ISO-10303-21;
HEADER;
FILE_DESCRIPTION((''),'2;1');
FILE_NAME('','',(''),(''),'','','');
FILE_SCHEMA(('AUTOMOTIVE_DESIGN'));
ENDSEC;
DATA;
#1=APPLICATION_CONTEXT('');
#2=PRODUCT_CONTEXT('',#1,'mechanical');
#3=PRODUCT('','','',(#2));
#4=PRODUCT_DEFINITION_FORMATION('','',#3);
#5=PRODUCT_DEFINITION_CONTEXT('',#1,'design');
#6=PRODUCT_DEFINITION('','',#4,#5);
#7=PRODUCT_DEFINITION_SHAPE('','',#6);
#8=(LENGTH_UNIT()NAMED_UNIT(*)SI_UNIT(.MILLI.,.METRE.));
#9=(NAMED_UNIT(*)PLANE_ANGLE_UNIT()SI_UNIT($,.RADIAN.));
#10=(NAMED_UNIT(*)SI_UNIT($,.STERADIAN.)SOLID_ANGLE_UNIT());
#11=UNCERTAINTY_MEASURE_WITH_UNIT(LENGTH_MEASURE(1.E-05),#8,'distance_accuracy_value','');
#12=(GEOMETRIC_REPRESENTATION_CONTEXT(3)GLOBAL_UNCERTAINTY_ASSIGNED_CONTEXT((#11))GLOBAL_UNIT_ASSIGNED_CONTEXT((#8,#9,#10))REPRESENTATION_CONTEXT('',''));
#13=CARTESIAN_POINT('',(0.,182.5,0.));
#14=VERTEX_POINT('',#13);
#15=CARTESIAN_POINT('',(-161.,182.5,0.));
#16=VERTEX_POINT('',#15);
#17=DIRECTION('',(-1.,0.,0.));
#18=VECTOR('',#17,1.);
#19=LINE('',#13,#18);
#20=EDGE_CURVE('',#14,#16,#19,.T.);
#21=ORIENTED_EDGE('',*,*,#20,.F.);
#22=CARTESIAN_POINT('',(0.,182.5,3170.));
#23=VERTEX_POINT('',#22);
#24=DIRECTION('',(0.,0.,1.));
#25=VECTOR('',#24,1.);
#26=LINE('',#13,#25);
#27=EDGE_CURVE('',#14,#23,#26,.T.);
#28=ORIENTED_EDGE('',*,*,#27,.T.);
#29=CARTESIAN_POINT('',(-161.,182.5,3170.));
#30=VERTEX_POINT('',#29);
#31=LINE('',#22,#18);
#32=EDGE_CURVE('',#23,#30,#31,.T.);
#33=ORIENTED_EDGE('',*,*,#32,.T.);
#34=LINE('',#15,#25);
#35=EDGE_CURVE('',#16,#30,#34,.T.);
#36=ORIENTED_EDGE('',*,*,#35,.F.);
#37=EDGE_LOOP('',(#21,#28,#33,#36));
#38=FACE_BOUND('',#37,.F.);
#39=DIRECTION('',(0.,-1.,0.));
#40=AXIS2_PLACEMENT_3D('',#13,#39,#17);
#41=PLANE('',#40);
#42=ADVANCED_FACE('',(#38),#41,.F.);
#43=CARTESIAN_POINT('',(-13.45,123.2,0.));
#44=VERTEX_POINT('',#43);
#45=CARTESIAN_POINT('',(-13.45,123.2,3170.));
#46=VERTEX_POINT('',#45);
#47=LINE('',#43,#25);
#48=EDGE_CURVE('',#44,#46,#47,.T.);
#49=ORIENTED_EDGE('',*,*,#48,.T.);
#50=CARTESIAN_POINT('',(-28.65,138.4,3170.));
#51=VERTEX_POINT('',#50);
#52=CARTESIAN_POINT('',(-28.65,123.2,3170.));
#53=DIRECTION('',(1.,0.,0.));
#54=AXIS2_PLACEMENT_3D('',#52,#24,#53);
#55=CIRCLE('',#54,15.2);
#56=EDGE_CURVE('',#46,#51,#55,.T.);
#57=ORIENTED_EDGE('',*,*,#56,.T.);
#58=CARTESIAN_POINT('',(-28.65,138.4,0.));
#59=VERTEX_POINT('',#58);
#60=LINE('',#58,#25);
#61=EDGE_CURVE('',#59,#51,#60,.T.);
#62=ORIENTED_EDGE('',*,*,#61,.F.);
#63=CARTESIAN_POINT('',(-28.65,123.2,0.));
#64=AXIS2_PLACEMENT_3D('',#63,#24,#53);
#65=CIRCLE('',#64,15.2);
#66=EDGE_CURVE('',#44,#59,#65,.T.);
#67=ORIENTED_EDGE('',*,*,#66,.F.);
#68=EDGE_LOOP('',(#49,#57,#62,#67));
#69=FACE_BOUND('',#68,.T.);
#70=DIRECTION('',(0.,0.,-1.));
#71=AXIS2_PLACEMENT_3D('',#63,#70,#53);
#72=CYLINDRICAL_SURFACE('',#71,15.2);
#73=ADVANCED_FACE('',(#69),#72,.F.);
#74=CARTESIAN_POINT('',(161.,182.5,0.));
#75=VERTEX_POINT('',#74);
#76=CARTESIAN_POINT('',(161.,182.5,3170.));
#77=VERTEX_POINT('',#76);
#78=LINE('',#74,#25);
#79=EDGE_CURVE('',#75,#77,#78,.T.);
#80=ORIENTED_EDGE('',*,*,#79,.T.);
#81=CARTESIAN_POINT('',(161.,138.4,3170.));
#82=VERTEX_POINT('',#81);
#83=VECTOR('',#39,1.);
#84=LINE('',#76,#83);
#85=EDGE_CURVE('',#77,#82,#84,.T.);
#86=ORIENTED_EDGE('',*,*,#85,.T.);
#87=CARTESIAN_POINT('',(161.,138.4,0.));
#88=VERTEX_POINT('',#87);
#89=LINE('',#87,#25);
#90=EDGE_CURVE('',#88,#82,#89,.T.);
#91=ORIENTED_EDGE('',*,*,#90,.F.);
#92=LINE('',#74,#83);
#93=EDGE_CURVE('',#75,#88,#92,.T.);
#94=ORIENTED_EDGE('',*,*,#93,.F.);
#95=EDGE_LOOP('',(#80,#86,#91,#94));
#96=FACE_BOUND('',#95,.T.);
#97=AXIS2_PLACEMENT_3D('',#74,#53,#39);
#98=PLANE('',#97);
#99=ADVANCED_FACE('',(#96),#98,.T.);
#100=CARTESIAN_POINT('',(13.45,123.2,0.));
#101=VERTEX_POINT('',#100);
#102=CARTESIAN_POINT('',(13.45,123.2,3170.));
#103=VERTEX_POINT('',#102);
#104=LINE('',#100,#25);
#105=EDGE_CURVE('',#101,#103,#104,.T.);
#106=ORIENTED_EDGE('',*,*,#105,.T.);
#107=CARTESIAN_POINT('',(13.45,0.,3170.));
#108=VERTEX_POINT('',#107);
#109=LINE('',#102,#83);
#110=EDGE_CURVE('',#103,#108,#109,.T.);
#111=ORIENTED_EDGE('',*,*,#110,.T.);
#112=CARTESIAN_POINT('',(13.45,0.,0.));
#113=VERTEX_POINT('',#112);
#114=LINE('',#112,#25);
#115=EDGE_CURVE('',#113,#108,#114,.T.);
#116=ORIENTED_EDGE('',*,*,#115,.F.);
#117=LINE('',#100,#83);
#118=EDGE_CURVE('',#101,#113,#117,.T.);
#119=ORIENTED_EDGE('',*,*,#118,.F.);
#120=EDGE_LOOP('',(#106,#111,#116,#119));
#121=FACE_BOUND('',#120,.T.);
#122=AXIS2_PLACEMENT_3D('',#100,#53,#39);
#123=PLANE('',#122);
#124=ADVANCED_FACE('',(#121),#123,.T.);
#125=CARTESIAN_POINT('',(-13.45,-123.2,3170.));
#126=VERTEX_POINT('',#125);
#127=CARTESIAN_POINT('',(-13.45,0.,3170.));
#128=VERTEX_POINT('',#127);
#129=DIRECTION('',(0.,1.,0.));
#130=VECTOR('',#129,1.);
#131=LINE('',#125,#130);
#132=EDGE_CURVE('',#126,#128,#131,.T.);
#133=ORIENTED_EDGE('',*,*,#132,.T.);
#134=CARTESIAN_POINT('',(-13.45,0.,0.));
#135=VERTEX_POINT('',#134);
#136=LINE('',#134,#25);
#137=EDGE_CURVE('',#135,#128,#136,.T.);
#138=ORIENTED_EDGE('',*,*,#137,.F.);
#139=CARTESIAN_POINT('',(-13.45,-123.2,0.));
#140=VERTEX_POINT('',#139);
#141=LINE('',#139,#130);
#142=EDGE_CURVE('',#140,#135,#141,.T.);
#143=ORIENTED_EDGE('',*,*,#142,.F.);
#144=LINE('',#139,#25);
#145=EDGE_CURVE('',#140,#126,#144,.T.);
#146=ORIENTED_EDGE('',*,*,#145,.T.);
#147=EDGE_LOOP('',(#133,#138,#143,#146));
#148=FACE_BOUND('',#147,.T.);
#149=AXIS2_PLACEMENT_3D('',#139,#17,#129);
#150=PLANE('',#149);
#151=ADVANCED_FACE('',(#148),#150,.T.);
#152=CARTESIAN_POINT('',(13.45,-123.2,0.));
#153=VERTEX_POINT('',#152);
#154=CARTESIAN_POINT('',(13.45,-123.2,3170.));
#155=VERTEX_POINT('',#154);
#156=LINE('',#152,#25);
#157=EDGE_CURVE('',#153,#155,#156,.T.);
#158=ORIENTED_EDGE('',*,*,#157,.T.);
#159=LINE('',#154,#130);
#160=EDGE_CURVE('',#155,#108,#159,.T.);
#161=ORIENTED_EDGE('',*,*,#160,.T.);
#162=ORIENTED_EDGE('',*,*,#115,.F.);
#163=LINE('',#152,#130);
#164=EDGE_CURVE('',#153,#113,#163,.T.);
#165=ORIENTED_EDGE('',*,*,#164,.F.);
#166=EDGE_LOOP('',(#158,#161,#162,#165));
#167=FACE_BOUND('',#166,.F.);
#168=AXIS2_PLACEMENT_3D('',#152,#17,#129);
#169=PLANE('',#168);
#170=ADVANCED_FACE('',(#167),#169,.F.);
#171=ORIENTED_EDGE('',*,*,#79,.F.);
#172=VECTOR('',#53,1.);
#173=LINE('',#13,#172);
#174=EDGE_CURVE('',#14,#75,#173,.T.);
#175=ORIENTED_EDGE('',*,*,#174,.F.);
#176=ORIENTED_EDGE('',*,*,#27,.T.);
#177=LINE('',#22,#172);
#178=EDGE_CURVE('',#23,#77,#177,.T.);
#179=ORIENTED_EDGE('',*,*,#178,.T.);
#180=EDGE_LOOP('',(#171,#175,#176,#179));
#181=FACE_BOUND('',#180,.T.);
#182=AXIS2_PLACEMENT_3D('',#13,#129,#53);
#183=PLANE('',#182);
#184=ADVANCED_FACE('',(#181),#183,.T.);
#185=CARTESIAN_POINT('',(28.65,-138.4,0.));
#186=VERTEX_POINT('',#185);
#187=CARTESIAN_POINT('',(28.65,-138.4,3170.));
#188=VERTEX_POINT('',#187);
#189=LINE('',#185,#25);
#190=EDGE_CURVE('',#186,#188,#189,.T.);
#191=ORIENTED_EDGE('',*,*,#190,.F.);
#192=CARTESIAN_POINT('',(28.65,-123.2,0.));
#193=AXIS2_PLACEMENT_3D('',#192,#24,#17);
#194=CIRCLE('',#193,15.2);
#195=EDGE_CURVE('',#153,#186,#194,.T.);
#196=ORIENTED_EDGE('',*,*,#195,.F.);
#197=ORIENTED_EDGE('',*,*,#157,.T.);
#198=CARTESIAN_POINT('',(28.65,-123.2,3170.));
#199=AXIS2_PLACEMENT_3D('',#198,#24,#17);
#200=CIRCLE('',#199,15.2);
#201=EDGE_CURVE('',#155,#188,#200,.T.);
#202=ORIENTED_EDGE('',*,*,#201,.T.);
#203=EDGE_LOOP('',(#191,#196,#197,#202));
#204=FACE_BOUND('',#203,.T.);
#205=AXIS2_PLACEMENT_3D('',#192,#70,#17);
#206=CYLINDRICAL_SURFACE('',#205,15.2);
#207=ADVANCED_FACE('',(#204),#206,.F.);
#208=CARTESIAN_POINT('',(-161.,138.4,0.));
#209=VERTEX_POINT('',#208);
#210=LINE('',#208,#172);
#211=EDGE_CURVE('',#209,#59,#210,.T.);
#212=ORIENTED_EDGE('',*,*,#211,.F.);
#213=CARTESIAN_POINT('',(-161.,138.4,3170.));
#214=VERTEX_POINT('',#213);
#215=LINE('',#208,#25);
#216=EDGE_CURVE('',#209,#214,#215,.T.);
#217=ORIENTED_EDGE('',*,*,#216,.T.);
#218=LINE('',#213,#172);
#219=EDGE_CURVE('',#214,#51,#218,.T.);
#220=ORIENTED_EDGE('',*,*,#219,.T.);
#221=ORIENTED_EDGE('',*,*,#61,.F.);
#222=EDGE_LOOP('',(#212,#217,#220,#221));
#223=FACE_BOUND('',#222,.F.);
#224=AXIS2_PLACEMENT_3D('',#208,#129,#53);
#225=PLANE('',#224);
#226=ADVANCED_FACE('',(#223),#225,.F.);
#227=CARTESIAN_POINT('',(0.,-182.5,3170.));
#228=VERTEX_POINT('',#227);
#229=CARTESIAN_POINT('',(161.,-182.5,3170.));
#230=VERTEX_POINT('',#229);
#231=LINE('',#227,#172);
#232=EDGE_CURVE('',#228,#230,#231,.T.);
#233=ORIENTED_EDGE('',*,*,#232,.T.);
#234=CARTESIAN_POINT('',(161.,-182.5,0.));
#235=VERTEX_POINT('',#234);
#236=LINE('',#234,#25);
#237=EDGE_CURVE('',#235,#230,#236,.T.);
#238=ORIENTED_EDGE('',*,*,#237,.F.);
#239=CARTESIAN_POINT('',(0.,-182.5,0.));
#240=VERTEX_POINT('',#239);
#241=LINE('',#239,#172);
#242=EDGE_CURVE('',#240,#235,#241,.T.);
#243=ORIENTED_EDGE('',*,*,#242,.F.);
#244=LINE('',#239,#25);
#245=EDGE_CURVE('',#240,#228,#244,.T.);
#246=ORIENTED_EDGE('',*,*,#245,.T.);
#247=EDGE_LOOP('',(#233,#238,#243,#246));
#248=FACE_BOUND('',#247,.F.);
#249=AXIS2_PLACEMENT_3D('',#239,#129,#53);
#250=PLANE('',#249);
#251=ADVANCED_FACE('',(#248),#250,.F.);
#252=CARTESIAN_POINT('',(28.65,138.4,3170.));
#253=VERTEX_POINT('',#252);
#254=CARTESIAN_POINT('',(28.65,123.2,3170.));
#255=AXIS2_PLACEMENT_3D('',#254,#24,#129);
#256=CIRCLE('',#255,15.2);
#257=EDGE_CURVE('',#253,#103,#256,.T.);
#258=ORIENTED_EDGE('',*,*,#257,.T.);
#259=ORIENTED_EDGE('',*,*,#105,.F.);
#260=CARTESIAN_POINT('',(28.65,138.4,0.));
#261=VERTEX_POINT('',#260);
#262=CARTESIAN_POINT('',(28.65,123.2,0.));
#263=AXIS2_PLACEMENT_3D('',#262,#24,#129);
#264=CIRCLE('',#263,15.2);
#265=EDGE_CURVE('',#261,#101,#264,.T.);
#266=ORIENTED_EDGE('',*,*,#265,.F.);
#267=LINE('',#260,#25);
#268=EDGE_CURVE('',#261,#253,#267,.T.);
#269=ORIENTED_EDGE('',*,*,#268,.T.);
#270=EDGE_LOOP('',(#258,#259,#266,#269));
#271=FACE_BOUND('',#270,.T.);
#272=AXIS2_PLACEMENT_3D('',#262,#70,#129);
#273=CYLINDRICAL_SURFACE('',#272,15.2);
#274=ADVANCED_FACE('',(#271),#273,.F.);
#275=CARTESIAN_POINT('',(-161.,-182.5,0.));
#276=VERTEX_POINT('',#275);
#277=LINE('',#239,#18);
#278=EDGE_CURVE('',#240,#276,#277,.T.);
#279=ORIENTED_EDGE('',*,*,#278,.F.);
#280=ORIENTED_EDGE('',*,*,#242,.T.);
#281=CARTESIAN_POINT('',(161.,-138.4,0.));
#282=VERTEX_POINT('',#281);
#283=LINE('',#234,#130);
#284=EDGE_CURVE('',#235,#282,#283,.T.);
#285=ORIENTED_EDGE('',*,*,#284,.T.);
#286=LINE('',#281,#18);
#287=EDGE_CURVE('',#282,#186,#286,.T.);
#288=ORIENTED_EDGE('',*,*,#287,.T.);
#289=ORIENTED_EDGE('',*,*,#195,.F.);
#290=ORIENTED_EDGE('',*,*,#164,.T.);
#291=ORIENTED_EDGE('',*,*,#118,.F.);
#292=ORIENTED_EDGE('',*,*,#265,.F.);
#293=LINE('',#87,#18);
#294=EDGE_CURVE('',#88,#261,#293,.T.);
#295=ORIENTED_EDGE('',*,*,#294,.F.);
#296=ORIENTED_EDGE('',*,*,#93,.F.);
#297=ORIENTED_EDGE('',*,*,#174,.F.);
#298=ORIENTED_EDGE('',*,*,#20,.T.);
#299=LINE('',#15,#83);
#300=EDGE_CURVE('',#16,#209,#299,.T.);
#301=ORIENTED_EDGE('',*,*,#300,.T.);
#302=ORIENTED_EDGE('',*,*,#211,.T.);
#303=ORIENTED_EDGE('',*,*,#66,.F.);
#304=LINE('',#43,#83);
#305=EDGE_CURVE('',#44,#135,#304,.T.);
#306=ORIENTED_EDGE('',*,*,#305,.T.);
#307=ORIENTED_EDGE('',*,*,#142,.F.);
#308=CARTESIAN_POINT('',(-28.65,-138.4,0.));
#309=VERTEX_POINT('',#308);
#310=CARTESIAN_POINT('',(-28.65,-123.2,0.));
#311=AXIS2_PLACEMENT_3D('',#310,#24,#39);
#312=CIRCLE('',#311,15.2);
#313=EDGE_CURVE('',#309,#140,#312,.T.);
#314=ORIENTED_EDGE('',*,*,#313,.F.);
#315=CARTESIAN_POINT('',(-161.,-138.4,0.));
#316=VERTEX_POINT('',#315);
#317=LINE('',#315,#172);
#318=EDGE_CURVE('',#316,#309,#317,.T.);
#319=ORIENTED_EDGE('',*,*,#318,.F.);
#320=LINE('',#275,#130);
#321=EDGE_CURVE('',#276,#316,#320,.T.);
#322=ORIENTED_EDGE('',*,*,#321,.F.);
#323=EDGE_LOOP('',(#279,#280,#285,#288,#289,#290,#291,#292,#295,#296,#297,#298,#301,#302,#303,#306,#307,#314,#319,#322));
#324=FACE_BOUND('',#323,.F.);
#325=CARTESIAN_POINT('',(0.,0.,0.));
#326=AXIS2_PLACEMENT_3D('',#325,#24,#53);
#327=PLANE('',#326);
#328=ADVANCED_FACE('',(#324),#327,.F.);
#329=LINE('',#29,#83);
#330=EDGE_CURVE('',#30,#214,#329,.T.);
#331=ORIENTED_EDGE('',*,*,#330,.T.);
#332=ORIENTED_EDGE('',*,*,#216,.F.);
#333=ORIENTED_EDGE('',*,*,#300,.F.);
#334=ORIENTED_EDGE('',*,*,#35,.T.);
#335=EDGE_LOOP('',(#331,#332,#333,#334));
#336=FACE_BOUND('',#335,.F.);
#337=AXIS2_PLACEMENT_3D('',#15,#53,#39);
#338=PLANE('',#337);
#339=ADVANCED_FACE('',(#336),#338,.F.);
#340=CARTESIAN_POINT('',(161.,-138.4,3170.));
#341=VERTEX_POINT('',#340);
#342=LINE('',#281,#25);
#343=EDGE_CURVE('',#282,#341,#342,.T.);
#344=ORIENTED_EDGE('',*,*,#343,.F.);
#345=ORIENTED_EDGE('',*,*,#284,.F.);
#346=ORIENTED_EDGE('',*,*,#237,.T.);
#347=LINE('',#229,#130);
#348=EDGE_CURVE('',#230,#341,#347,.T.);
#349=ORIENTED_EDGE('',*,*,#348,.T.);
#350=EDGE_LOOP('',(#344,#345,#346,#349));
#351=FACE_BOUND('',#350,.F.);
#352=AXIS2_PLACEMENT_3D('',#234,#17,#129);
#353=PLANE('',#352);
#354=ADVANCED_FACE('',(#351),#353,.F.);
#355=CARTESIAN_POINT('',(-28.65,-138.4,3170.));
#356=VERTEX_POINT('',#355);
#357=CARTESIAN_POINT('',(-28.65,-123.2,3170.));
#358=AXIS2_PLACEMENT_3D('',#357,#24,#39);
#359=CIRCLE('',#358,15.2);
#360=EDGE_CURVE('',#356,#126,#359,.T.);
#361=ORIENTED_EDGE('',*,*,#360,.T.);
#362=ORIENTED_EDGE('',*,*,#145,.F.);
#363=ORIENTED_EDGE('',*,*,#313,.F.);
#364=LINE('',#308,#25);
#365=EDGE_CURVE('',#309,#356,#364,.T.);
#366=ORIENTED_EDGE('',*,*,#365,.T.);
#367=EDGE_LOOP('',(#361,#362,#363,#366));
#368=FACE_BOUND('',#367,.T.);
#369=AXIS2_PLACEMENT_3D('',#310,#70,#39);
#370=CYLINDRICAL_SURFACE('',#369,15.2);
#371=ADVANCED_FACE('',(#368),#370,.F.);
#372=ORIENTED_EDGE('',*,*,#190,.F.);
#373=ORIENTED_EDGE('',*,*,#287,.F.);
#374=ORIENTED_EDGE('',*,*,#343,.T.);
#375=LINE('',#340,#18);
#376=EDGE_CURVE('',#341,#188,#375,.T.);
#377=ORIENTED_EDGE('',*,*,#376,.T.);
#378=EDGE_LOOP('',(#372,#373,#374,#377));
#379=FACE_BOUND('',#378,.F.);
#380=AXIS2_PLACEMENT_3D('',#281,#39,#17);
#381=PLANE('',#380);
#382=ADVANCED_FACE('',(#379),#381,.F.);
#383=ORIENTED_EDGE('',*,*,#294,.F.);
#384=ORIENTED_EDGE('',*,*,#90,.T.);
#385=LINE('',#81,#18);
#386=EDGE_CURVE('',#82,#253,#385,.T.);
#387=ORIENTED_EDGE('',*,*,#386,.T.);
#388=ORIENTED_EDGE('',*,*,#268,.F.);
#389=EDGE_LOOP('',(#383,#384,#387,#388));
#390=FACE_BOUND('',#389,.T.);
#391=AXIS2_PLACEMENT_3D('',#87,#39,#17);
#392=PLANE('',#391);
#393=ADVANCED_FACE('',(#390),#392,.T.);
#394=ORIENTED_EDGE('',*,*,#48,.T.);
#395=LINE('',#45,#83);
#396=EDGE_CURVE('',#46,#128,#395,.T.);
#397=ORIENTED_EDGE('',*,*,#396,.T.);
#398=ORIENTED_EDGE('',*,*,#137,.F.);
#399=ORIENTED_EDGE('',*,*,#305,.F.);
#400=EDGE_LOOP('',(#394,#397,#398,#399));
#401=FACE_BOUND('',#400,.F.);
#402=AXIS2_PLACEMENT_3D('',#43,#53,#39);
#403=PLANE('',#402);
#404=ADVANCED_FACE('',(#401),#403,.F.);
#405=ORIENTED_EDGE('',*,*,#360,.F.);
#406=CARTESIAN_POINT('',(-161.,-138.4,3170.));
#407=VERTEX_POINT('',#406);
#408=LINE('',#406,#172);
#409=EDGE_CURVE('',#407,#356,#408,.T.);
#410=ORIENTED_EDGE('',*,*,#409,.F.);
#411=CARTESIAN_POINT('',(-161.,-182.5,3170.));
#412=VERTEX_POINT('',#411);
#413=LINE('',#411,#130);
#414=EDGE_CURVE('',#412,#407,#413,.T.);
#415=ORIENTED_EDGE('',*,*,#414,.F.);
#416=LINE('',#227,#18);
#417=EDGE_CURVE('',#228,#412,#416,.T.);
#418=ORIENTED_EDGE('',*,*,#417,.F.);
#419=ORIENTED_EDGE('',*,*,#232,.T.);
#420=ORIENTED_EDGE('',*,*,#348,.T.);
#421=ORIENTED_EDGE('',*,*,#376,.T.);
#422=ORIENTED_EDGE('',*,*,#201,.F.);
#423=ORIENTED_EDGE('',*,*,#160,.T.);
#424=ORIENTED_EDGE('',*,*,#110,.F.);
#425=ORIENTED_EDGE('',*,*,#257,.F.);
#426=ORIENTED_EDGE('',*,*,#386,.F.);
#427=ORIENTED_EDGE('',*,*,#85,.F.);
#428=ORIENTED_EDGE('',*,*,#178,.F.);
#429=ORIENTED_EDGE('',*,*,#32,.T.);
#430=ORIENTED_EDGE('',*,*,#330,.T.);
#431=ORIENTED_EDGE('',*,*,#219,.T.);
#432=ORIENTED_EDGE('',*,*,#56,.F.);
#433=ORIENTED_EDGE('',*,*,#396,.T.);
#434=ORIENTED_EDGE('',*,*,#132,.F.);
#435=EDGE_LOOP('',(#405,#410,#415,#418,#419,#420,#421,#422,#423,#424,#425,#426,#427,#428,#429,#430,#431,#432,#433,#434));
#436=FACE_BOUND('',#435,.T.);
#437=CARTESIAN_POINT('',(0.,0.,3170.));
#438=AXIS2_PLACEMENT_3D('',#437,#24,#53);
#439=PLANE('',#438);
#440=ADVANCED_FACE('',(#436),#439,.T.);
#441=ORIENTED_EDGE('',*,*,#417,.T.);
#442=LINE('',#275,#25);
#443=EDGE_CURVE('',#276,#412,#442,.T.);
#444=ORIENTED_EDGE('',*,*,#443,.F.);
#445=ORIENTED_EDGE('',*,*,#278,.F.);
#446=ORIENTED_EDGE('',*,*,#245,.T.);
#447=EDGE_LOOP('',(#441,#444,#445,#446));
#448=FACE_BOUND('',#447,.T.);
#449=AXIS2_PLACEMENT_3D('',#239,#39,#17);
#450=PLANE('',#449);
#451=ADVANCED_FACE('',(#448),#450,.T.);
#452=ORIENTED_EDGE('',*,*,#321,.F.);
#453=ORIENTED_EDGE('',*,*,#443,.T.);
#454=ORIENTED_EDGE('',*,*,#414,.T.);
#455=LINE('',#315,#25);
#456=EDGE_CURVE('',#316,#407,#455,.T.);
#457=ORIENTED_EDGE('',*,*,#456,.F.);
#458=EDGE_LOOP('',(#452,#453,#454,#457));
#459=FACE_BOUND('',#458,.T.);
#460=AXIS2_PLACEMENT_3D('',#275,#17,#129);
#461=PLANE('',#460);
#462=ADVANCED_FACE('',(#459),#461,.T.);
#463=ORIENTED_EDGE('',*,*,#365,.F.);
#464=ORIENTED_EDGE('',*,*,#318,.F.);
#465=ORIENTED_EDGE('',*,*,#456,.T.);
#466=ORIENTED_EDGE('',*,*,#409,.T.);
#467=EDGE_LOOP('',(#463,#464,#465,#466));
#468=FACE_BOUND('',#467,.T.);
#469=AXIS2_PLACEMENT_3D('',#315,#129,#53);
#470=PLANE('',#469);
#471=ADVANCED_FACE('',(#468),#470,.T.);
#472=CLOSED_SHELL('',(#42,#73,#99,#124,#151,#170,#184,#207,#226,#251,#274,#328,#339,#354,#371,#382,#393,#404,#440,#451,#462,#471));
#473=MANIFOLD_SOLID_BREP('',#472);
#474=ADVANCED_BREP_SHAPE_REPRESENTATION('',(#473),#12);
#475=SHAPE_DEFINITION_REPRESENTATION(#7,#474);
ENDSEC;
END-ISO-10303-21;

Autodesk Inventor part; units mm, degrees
ref_plane "YZ Plane" through (0, 0, 0) normal (1, 0, 0) x (0, 1, 0)
ref_plane "Start plane" through (0, 0, 0) normal (0, 0, 1) x (1, 0, 0)
ref_plane "End plane" through (0, 0, 3170) normal (0, 0, 1) x (1, 0, 0)
sketch "Sketch" plane through (0, 0, 0) normal (0, 0, 1) x (1, 0, 0)
  line L0 (-161, -182.5) -> (-161, -138.4)
  line L1 (-161, -138.4) -> (-28.65, -138.4)
  line L2 (-13.45, -123.2) -> (-13.45, 0)
  line L3 (-13.45, 0) -> (0, 0) construction
  line L4 (0, 0) -> (0, -182.5) construction
  line L5 (0, -182.5) -> (-161, -182.5)
  line L6 (-60, 0) -> (80, 0) construction
  line L7 (0, -60) -> (0, 80) construction
  line L8 (161, -182.5) -> (161, -138.4)
  line L9 (161, -138.4) -> (28.65, -138.4)
  line L10 (13.45, -123.2) -> (13.45, 0)
  line L11 (13.45, 0) -> (0, 0) construction
  line L12 (0, -182.5) -> (161, -182.5)
  line L13 (-161, 182.5) -> (-161, 138.4)
  line L14 (-161, 138.4) -> (-28.65, 138.4)
  line L15 (-13.45, 123.2) -> (-13.45, 0)
  line L16 (0, 182.5) -> (-161, 182.5)
  line L17 (161, 182.5) -> (161, 138.4)
  line L18 (161, 138.4) -> (28.65, 138.4)
  line L19 (0, 182.5) -> (161, 182.5)
  line L20 (13.45, 123.2) -> (13.45, 0)
  arc A0 (-13.45, 123.2) -> (-28.65, 138.4) centre (-28.65, 123.2) ccw
  arc A1 (28.65, 138.4) -> (13.45, 123.2) centre (28.65, 123.2) ccw
  arc A2 (13.45, -123.2) -> (28.65, -138.4) centre (28.65, -123.2) ccw
  arc A3 (-28.65, -138.4) -> (-13.45, -123.2) centre (-28.65, -123.2) ccw
  line L21 (0, 108) -> (0, -88) construction
  line L22 (-88, 0) -> (108, 0) construction
  point P0 (-13.45, -138.4)
  point P1 (13.45, -138.4)
  point P2 (-13.45, 138.4)
  point P3 (13.45, 138.4)
  dimension "d1" = 182.5
  dimension "d2" = 44.1
  dimension "d3" = 161
  dimension "d4" = 13.45
  dimension "d10" = 15.2
extrude "Body" add sketch "Sketch" along normal up to surface (3170 mm away) from surface at 0
sketch "Sketch4" plane through (0, 0, 0) normal (0, 0, 1) x (1, 0, 0)
  line L0 (0, 0) -> (10, 0)
ref_plane "Work Plane3" through (0, 0, 0) normal (0, -1, 0) x (1, 0, 0)
sketch "Sketch5" plane through (0, 0, 0) normal (0, -1, 0) x (1, 0, 0)
  line L0 (-2, 0) -> (12, 0) projected
  line L1 (-2, 3170) -> (12, 3170) projected
  dimension "d14" = 3170
equation "\"d1\" = 0.5 * G_H"
equation "\"d2\" = G_T1"
equation "\"d3\" = 0.5 * G_W"
equation "\"d4\" = 0.5 * G_T"
equation "\"d10\" = G_IR"
equation "\"d5\" = G_L"
equation "\"G_W\" = 322"
equation "\"G_H\" = 365"
equation "\"G_T\" = 26.9"
equation "\"G_T1\" = 44.1"
equation "\"G_IR\" = 15.2"
equation "\"G_L\" = d14"
equation "\"G_OFFSET_START\" = 0"
equation "\"G_OFFSET_END\" = 0"
properties part number "AS 3679 - 310 UC - 283 - 3170" material "Steel, Mild"
